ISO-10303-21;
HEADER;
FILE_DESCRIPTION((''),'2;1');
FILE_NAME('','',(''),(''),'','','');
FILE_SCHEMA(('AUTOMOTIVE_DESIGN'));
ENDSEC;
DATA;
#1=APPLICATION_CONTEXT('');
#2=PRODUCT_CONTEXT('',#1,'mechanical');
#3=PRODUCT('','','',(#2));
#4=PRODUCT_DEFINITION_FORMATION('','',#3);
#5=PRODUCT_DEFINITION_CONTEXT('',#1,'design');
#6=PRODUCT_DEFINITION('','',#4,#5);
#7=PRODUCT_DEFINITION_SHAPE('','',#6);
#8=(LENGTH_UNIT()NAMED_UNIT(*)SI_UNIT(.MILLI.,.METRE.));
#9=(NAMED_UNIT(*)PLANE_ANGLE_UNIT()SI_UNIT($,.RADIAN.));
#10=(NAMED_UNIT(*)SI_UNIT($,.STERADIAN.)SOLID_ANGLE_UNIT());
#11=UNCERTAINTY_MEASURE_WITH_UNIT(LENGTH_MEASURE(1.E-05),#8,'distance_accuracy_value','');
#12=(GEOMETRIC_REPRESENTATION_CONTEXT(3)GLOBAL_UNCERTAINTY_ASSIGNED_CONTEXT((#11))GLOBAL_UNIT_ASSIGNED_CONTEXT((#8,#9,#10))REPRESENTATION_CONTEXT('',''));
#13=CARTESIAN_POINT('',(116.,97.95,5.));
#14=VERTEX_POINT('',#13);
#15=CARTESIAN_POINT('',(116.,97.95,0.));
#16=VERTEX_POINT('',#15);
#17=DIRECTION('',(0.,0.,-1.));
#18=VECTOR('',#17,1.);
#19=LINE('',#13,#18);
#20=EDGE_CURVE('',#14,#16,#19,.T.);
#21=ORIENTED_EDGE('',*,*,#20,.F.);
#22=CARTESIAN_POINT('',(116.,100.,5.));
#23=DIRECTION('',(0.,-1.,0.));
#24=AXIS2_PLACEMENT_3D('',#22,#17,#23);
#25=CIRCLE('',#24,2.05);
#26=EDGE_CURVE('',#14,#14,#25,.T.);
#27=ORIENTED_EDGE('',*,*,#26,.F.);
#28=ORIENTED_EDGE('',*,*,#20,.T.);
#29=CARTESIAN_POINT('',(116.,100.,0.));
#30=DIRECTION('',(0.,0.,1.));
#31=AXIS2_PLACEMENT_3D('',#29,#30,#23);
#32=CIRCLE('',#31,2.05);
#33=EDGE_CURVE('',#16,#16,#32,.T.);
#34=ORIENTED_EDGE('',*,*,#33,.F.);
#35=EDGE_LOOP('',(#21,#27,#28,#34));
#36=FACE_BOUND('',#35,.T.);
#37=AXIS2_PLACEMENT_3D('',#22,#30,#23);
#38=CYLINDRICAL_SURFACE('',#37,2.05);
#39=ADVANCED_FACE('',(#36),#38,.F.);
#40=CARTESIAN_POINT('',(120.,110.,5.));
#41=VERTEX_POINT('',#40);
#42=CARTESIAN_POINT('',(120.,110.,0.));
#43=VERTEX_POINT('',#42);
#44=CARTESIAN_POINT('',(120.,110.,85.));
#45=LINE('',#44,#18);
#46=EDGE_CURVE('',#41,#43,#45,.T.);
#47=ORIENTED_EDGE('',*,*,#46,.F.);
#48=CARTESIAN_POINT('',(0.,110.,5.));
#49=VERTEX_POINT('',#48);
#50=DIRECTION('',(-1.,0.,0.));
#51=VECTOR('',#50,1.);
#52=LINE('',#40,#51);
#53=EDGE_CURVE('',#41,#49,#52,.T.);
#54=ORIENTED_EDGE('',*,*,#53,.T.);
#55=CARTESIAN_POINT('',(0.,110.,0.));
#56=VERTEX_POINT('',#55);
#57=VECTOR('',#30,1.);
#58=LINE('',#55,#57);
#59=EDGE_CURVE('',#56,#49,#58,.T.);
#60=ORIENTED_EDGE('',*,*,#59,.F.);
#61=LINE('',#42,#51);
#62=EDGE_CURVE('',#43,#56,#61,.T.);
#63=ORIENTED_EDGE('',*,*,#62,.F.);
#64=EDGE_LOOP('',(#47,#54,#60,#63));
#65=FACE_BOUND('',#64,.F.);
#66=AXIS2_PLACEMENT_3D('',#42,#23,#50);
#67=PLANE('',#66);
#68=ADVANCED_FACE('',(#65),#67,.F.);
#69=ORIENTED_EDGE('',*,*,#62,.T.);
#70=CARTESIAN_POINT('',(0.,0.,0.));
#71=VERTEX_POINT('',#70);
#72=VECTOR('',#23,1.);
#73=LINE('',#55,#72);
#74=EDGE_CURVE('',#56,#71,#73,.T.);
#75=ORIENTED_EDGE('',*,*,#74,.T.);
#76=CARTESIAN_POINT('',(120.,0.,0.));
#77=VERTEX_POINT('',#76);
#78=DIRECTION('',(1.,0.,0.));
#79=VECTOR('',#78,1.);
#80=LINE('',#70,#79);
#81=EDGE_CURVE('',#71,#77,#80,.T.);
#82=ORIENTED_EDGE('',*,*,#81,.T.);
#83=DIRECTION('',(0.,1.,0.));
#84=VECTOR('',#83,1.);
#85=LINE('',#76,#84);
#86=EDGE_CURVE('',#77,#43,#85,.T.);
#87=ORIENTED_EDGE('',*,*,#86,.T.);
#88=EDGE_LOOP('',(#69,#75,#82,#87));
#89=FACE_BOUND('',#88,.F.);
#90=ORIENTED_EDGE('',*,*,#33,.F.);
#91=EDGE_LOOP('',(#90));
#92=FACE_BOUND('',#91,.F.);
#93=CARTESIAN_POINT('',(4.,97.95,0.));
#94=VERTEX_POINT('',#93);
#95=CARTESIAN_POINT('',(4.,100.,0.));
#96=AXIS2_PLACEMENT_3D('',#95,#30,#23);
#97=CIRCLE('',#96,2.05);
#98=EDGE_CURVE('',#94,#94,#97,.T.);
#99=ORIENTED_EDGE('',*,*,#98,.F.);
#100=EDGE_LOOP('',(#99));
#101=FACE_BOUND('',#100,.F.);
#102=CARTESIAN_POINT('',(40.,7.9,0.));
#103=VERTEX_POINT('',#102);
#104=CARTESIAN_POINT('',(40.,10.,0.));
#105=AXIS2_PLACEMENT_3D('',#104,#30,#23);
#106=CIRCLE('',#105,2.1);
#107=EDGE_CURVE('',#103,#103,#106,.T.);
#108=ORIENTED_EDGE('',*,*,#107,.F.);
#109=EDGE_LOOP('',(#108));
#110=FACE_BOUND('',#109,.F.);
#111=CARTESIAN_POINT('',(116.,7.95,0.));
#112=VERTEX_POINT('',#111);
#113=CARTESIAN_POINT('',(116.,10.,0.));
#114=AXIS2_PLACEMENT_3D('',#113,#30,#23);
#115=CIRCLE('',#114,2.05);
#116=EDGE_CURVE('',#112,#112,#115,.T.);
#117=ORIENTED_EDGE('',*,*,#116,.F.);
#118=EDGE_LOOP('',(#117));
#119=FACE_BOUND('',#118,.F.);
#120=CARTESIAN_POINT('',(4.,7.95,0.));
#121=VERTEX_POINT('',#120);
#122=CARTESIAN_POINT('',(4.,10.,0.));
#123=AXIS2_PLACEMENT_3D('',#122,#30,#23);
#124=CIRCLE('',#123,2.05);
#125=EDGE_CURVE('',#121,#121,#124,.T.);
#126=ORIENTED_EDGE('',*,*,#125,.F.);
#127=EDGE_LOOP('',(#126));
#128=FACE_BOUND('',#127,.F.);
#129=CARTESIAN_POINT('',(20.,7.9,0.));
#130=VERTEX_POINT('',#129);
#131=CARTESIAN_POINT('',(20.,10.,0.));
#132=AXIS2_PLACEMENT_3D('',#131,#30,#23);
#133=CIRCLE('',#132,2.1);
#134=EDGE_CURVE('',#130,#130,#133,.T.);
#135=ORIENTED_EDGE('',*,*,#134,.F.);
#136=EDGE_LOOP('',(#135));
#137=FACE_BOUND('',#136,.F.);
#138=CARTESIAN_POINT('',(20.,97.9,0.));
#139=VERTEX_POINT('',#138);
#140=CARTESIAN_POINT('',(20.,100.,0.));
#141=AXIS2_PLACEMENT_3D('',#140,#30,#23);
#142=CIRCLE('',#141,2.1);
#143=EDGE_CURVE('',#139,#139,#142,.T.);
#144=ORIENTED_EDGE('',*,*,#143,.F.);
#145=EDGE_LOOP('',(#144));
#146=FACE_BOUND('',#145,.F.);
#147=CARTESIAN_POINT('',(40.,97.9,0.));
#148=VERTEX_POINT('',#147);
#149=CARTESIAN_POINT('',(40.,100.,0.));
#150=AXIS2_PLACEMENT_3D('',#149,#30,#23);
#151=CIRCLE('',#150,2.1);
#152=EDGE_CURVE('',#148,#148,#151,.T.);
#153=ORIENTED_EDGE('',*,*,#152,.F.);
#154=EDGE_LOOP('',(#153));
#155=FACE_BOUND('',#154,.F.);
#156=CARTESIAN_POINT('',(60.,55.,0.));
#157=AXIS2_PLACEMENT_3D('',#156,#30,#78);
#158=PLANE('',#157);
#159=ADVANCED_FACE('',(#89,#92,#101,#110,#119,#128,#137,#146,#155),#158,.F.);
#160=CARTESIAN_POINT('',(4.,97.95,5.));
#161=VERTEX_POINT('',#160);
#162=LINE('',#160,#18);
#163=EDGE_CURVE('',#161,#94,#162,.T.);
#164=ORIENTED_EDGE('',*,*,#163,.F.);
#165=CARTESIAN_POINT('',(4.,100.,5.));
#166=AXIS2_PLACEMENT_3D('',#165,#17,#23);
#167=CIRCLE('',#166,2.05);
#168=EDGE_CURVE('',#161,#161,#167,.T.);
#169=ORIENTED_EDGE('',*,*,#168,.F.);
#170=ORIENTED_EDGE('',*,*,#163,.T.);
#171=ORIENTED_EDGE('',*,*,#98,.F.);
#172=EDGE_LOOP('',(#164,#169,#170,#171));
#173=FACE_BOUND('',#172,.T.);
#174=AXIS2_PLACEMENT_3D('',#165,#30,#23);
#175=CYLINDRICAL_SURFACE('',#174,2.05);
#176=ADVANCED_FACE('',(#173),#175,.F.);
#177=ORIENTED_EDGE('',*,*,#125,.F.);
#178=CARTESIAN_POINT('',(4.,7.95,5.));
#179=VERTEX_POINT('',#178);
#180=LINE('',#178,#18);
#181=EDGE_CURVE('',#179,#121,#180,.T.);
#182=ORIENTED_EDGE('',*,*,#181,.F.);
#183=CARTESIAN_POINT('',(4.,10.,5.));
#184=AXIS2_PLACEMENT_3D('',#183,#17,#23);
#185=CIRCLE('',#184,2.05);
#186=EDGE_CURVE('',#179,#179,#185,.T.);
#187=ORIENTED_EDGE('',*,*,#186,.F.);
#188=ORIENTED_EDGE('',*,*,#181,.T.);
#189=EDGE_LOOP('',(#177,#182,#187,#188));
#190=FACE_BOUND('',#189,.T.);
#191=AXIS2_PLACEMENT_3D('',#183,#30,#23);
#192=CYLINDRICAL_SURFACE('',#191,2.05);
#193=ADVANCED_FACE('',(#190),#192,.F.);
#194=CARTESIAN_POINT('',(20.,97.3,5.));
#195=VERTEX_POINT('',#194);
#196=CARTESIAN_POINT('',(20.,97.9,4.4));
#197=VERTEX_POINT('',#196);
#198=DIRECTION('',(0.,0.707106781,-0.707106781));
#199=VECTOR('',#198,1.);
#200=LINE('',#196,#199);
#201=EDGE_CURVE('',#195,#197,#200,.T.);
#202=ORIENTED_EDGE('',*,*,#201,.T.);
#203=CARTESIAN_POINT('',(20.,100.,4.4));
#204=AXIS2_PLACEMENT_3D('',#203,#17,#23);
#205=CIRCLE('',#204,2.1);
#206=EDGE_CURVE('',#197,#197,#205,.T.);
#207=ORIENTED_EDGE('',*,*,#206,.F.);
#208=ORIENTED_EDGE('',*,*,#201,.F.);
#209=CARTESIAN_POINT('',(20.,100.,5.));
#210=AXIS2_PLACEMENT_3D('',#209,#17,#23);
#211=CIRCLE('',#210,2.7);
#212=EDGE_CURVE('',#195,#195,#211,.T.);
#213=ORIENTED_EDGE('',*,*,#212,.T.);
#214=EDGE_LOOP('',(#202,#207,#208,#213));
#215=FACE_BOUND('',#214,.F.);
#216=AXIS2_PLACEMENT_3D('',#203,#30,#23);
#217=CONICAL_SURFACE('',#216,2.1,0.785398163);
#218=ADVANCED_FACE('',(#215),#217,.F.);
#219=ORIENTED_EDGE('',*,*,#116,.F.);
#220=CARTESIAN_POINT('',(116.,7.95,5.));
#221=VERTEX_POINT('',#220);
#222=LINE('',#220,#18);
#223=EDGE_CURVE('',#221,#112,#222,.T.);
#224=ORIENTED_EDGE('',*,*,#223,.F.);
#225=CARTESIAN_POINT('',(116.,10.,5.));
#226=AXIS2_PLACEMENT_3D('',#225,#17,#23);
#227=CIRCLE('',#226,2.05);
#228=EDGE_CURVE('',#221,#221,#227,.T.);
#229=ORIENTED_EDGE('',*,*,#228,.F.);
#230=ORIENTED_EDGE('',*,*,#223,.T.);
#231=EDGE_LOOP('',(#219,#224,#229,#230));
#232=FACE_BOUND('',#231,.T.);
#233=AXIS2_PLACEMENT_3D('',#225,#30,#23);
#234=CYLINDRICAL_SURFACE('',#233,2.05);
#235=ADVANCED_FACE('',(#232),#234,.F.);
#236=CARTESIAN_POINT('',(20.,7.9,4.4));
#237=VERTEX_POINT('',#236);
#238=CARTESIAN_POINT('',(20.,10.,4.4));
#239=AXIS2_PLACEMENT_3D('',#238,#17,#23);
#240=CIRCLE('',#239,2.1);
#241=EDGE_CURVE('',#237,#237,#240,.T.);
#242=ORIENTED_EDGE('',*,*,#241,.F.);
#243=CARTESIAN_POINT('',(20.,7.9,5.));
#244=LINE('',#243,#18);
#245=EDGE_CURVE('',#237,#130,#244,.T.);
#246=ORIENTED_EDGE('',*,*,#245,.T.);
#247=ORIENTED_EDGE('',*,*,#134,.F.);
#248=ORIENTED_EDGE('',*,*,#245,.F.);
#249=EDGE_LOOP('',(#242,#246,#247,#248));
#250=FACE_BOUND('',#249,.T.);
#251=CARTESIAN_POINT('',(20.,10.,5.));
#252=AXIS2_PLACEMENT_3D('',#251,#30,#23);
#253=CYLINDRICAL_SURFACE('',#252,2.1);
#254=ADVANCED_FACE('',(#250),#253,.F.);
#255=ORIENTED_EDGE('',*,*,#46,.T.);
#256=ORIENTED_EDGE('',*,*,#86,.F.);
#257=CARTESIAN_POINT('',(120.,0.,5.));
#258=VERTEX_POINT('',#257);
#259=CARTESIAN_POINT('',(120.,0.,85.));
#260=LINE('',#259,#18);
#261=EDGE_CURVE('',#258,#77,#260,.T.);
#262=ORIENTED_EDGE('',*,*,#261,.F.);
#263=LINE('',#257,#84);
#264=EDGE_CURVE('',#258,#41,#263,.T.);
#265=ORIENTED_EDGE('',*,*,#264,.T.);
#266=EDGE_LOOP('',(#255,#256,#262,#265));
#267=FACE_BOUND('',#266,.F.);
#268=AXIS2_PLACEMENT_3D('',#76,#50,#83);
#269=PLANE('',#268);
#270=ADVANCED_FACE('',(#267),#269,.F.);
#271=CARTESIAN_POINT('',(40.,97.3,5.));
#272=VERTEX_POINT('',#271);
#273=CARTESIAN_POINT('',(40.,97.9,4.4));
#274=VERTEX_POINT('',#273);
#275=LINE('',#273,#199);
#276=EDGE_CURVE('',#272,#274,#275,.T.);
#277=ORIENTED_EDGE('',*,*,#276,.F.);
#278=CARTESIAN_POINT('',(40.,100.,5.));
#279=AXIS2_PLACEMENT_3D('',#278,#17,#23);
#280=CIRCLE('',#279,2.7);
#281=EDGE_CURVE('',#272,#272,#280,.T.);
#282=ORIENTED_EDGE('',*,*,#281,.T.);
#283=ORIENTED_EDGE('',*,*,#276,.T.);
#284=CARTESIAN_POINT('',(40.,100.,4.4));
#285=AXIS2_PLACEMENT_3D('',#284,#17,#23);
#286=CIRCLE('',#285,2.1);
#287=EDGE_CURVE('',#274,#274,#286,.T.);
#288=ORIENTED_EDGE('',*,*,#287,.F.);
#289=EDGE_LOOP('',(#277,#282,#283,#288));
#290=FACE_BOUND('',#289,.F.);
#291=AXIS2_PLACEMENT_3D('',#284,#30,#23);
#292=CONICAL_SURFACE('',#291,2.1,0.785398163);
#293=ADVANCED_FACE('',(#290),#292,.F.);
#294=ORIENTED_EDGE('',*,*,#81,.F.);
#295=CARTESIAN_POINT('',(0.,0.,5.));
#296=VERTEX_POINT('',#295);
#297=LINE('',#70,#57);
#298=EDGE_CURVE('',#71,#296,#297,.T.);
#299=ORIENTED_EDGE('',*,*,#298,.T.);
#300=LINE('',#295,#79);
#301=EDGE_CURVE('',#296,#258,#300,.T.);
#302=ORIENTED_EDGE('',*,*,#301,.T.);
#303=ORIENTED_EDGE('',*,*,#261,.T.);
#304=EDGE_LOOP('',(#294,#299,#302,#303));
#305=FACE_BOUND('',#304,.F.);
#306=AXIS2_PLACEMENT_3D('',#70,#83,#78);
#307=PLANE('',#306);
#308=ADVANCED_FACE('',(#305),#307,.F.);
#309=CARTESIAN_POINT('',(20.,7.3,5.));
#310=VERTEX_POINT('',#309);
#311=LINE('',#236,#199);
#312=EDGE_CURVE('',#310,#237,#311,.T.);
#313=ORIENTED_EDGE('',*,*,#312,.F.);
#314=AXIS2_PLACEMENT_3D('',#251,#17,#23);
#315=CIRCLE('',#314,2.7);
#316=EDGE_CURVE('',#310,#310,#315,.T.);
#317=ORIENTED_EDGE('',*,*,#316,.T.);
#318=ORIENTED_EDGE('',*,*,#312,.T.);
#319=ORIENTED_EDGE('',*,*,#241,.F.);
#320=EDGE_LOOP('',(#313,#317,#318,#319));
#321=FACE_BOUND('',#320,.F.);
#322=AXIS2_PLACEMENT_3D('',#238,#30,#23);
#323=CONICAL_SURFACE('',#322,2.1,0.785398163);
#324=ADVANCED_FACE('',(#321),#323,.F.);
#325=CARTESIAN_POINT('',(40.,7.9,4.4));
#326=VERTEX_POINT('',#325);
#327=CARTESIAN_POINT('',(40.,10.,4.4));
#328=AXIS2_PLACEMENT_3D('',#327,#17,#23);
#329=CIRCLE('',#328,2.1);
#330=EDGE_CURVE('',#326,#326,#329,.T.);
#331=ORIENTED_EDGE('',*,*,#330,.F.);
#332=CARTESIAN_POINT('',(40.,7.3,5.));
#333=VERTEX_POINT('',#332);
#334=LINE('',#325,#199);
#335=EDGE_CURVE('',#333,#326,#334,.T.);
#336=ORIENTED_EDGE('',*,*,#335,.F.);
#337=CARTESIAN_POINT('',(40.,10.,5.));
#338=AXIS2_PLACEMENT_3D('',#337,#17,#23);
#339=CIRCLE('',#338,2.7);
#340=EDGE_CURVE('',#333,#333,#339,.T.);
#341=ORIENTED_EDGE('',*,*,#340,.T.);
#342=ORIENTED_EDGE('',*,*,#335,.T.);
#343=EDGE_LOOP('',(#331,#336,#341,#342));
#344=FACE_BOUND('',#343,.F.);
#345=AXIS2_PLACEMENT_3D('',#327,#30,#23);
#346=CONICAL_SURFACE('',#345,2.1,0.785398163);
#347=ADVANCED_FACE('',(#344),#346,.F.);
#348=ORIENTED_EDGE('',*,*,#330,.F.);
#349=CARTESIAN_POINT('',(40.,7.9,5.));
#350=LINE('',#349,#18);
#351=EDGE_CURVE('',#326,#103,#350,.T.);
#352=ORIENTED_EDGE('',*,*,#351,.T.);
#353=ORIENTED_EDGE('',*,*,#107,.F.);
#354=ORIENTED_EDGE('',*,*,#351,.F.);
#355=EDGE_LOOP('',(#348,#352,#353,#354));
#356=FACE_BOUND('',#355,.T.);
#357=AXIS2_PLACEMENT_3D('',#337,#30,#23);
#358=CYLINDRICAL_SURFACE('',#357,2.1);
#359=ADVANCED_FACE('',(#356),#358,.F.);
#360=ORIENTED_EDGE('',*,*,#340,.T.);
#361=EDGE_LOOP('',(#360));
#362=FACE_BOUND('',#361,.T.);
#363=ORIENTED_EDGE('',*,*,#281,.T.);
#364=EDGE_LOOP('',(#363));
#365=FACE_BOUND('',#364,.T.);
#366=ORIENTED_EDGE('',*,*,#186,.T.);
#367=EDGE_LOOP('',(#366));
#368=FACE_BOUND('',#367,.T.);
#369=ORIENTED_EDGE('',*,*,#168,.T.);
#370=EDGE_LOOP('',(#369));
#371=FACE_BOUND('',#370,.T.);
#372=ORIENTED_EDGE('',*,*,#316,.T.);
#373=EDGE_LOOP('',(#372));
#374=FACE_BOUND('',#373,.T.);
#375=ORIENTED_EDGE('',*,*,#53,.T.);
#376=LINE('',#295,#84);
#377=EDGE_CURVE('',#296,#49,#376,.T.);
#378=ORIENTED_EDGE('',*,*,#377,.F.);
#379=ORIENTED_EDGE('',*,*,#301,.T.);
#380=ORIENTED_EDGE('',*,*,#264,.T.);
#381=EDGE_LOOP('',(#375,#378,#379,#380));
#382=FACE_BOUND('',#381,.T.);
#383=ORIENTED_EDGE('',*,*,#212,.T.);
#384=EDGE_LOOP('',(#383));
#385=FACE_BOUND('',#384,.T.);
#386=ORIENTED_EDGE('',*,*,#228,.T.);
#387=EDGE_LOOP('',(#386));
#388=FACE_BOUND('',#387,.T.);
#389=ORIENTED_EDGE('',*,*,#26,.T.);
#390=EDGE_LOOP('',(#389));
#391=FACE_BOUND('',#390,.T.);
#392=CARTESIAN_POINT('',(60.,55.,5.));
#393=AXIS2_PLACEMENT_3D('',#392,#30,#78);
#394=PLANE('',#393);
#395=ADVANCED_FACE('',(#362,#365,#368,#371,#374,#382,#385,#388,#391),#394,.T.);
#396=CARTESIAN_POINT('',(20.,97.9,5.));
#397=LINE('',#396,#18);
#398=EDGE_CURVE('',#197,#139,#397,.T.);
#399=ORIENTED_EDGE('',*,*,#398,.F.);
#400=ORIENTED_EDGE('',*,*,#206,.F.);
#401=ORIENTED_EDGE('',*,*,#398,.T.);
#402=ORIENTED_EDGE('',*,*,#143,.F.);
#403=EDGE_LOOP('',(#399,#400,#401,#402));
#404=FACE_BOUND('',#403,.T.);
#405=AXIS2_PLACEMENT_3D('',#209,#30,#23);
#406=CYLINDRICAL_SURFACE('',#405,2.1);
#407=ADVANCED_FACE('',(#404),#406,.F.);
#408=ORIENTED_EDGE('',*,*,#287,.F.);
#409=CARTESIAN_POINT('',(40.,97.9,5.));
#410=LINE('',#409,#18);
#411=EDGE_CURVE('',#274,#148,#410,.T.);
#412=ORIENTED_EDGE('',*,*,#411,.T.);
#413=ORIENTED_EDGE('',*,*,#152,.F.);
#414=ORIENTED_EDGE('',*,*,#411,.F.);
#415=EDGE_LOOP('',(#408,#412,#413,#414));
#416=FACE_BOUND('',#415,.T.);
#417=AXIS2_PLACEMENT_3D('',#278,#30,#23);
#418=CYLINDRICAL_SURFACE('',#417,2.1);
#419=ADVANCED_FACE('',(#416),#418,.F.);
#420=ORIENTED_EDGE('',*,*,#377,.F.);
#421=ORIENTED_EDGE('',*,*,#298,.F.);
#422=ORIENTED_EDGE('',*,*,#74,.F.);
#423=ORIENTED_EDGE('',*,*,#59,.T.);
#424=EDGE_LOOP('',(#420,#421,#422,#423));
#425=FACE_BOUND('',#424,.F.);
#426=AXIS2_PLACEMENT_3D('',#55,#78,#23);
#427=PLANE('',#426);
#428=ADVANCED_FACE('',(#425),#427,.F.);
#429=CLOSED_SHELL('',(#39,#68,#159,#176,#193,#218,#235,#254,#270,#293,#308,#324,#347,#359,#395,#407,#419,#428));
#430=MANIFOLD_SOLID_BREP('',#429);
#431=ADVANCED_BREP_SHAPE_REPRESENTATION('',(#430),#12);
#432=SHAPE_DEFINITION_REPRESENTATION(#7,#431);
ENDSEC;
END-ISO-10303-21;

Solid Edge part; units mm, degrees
sketch "Sketch1" plane through (0, 0, 0) normal (0, 0, 1) x (1, 0, 0)
  line L0 (120, 110) -> (0, 110)
  line L1 (0, 110) -> (0, 0)
  line L2 (0, 0) -> (120, 0)
  line L3 (120, 0) -> (120, 110)
extrude "Protrusion1" add sketch "Sketch1" along normal blind 5
sketch "Sketch2" plane through (60, 20, 5) normal (0, 0, 1) x (1, 0, 0)
  line L0 (55, -20) -> (55, 90)
  line L1 (55, 90) -> (60, 90)
  line L2 (60, 90) -> (60, -20)
  line L3 (60, -20) -> (55, -20)
  line L4 (-55, 90) -> (-55, -20)
  line L5 (-55, -20) -> (-60, -20)
  line L6 (-60, -20) -> (-60, 90)
  line L7 (-60, 90) -> (-55, 90)
  dimension "D1" = 5
extrude "Extrusionsausprägung_2" add sketch "Sketch2" along normal blind 80
hole "Bohrung_1" at (120, 20, 45) direction (-1, 0, 0) diameter 19 end up to next
hole "Hole_2" at (20, 10, 5) direction (0, 0, -1) diameter 4.2 end up to next start chamfer 0.6 start chamfer angle 45
hole "Hole1" at (20, 100, 5) direction (0, 0, -1) diameter 4.2 end up to next start chamfer 0.6 start chamfer angle 45
hole "Hole2" at (40, 100, 5) direction (0, 0, -1) diameter 4.2 end up to next start chamfer 0.6 start chamfer angle 45
hole "Hole3" at (40, 10, 5) direction (0, 0, -1) diameter 4.2 end up to next start chamfer 0.6 start chamfer angle 45
hole "Hole4" at (0, 20, 45) direction (1, 0, 0) diameter 8 end up to next
hole "Hole5" at (120, 65, 45) direction (-1, 0, 0) diameter 8 end up to next
sketch "Sketch3" plane through (60, 0, 42.5) normal (0, -1, 0) x (1, 0, 0)
  line L0 (55, -37.5) -> (55, 42.5)
  line L1 (55, 42.5) -> (60, 42.5)
  line L2 (60, 42.5) -> (60, -37.5)
  line L3 (60, -37.5) -> (55, -37.5)
  line L4 (-55, -37.5) -> (-60, -37.5)
  line L5 (-60, -37.5) -> (-60, 42.5)
  line L6 (-60, 42.5) -> (-55, 42.5)
  line L7 (-55, 42.5) -> (-55, -37.5)
extrude "Cutout1" cut sketch "Sketch3" against normal up to next
hole "Hole6" at (4, 10, 5) direction (0, 0, -1) diameter 4.1 end up to next
hole "Hole7" at (116, 10, 5) direction (0, 0, -1) diameter 4.1 end up to next
hole "Hole8" at (116, 100, 5) direction (0, 0, -1) diameter 4.1 end up to next
hole "Hole9" at (4, 100, 5) direction (0, 0, -1) diameter 4.1 end up to next
